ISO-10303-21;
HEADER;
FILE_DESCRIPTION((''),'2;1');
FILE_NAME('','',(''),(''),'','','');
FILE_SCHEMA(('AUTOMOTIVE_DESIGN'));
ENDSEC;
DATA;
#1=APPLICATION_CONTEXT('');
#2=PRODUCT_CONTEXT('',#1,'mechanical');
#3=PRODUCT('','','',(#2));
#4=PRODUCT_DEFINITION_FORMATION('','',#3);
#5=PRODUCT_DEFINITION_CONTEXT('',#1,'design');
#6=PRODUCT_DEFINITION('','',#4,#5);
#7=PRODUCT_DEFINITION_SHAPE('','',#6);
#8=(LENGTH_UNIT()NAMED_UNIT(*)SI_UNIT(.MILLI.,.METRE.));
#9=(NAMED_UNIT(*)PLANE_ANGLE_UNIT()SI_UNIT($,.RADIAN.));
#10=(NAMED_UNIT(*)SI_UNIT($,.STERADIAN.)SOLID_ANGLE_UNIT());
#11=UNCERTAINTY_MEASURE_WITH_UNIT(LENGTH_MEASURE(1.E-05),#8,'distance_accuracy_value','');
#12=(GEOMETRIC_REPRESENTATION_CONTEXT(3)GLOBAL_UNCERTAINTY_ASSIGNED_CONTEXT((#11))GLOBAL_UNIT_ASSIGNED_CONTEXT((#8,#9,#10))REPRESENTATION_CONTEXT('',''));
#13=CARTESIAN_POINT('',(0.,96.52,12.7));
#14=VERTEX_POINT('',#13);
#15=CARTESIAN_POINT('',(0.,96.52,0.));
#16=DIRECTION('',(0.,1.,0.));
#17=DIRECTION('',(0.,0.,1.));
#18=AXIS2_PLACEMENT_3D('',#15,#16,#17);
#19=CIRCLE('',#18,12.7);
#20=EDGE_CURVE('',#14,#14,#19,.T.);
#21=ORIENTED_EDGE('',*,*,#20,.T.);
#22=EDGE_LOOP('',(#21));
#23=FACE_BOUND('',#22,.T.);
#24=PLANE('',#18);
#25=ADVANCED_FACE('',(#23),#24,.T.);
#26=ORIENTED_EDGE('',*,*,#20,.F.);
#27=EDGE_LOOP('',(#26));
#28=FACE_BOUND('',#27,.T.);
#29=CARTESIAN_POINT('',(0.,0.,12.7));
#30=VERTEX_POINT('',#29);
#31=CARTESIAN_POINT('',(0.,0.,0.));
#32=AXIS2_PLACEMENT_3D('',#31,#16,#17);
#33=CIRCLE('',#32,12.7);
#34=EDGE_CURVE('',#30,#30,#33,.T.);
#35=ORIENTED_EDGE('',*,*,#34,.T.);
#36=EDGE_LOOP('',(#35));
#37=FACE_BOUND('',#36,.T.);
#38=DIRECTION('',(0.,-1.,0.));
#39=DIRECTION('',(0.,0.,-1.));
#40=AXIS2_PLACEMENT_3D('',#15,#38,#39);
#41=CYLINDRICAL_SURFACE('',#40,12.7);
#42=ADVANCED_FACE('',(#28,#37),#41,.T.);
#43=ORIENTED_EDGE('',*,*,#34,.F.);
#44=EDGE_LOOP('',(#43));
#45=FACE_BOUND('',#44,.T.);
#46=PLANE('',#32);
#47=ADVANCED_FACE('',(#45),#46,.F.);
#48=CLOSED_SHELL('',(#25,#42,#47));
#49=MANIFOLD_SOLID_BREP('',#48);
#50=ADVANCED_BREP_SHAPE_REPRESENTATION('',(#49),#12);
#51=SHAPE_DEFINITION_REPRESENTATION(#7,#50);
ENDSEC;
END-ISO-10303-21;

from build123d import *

# Parameters (mm, degrees)
SKETCH1_R           = 12.7
BOSS_EXTRUDE1_DEPTH = 96.52


with BuildPart() as part:
    # Sketch1 → Boss-Extrude1 (new body)
    with BuildSketch(Plane(origin=(0, 0, 0), x_dir=(1, 0, 0), z_dir=(0, 1, 0))):
        Circle(SKETCH1_R)
    extrude(amount=BOSS_EXTRUDE1_DEPTH)


solid = part.part
